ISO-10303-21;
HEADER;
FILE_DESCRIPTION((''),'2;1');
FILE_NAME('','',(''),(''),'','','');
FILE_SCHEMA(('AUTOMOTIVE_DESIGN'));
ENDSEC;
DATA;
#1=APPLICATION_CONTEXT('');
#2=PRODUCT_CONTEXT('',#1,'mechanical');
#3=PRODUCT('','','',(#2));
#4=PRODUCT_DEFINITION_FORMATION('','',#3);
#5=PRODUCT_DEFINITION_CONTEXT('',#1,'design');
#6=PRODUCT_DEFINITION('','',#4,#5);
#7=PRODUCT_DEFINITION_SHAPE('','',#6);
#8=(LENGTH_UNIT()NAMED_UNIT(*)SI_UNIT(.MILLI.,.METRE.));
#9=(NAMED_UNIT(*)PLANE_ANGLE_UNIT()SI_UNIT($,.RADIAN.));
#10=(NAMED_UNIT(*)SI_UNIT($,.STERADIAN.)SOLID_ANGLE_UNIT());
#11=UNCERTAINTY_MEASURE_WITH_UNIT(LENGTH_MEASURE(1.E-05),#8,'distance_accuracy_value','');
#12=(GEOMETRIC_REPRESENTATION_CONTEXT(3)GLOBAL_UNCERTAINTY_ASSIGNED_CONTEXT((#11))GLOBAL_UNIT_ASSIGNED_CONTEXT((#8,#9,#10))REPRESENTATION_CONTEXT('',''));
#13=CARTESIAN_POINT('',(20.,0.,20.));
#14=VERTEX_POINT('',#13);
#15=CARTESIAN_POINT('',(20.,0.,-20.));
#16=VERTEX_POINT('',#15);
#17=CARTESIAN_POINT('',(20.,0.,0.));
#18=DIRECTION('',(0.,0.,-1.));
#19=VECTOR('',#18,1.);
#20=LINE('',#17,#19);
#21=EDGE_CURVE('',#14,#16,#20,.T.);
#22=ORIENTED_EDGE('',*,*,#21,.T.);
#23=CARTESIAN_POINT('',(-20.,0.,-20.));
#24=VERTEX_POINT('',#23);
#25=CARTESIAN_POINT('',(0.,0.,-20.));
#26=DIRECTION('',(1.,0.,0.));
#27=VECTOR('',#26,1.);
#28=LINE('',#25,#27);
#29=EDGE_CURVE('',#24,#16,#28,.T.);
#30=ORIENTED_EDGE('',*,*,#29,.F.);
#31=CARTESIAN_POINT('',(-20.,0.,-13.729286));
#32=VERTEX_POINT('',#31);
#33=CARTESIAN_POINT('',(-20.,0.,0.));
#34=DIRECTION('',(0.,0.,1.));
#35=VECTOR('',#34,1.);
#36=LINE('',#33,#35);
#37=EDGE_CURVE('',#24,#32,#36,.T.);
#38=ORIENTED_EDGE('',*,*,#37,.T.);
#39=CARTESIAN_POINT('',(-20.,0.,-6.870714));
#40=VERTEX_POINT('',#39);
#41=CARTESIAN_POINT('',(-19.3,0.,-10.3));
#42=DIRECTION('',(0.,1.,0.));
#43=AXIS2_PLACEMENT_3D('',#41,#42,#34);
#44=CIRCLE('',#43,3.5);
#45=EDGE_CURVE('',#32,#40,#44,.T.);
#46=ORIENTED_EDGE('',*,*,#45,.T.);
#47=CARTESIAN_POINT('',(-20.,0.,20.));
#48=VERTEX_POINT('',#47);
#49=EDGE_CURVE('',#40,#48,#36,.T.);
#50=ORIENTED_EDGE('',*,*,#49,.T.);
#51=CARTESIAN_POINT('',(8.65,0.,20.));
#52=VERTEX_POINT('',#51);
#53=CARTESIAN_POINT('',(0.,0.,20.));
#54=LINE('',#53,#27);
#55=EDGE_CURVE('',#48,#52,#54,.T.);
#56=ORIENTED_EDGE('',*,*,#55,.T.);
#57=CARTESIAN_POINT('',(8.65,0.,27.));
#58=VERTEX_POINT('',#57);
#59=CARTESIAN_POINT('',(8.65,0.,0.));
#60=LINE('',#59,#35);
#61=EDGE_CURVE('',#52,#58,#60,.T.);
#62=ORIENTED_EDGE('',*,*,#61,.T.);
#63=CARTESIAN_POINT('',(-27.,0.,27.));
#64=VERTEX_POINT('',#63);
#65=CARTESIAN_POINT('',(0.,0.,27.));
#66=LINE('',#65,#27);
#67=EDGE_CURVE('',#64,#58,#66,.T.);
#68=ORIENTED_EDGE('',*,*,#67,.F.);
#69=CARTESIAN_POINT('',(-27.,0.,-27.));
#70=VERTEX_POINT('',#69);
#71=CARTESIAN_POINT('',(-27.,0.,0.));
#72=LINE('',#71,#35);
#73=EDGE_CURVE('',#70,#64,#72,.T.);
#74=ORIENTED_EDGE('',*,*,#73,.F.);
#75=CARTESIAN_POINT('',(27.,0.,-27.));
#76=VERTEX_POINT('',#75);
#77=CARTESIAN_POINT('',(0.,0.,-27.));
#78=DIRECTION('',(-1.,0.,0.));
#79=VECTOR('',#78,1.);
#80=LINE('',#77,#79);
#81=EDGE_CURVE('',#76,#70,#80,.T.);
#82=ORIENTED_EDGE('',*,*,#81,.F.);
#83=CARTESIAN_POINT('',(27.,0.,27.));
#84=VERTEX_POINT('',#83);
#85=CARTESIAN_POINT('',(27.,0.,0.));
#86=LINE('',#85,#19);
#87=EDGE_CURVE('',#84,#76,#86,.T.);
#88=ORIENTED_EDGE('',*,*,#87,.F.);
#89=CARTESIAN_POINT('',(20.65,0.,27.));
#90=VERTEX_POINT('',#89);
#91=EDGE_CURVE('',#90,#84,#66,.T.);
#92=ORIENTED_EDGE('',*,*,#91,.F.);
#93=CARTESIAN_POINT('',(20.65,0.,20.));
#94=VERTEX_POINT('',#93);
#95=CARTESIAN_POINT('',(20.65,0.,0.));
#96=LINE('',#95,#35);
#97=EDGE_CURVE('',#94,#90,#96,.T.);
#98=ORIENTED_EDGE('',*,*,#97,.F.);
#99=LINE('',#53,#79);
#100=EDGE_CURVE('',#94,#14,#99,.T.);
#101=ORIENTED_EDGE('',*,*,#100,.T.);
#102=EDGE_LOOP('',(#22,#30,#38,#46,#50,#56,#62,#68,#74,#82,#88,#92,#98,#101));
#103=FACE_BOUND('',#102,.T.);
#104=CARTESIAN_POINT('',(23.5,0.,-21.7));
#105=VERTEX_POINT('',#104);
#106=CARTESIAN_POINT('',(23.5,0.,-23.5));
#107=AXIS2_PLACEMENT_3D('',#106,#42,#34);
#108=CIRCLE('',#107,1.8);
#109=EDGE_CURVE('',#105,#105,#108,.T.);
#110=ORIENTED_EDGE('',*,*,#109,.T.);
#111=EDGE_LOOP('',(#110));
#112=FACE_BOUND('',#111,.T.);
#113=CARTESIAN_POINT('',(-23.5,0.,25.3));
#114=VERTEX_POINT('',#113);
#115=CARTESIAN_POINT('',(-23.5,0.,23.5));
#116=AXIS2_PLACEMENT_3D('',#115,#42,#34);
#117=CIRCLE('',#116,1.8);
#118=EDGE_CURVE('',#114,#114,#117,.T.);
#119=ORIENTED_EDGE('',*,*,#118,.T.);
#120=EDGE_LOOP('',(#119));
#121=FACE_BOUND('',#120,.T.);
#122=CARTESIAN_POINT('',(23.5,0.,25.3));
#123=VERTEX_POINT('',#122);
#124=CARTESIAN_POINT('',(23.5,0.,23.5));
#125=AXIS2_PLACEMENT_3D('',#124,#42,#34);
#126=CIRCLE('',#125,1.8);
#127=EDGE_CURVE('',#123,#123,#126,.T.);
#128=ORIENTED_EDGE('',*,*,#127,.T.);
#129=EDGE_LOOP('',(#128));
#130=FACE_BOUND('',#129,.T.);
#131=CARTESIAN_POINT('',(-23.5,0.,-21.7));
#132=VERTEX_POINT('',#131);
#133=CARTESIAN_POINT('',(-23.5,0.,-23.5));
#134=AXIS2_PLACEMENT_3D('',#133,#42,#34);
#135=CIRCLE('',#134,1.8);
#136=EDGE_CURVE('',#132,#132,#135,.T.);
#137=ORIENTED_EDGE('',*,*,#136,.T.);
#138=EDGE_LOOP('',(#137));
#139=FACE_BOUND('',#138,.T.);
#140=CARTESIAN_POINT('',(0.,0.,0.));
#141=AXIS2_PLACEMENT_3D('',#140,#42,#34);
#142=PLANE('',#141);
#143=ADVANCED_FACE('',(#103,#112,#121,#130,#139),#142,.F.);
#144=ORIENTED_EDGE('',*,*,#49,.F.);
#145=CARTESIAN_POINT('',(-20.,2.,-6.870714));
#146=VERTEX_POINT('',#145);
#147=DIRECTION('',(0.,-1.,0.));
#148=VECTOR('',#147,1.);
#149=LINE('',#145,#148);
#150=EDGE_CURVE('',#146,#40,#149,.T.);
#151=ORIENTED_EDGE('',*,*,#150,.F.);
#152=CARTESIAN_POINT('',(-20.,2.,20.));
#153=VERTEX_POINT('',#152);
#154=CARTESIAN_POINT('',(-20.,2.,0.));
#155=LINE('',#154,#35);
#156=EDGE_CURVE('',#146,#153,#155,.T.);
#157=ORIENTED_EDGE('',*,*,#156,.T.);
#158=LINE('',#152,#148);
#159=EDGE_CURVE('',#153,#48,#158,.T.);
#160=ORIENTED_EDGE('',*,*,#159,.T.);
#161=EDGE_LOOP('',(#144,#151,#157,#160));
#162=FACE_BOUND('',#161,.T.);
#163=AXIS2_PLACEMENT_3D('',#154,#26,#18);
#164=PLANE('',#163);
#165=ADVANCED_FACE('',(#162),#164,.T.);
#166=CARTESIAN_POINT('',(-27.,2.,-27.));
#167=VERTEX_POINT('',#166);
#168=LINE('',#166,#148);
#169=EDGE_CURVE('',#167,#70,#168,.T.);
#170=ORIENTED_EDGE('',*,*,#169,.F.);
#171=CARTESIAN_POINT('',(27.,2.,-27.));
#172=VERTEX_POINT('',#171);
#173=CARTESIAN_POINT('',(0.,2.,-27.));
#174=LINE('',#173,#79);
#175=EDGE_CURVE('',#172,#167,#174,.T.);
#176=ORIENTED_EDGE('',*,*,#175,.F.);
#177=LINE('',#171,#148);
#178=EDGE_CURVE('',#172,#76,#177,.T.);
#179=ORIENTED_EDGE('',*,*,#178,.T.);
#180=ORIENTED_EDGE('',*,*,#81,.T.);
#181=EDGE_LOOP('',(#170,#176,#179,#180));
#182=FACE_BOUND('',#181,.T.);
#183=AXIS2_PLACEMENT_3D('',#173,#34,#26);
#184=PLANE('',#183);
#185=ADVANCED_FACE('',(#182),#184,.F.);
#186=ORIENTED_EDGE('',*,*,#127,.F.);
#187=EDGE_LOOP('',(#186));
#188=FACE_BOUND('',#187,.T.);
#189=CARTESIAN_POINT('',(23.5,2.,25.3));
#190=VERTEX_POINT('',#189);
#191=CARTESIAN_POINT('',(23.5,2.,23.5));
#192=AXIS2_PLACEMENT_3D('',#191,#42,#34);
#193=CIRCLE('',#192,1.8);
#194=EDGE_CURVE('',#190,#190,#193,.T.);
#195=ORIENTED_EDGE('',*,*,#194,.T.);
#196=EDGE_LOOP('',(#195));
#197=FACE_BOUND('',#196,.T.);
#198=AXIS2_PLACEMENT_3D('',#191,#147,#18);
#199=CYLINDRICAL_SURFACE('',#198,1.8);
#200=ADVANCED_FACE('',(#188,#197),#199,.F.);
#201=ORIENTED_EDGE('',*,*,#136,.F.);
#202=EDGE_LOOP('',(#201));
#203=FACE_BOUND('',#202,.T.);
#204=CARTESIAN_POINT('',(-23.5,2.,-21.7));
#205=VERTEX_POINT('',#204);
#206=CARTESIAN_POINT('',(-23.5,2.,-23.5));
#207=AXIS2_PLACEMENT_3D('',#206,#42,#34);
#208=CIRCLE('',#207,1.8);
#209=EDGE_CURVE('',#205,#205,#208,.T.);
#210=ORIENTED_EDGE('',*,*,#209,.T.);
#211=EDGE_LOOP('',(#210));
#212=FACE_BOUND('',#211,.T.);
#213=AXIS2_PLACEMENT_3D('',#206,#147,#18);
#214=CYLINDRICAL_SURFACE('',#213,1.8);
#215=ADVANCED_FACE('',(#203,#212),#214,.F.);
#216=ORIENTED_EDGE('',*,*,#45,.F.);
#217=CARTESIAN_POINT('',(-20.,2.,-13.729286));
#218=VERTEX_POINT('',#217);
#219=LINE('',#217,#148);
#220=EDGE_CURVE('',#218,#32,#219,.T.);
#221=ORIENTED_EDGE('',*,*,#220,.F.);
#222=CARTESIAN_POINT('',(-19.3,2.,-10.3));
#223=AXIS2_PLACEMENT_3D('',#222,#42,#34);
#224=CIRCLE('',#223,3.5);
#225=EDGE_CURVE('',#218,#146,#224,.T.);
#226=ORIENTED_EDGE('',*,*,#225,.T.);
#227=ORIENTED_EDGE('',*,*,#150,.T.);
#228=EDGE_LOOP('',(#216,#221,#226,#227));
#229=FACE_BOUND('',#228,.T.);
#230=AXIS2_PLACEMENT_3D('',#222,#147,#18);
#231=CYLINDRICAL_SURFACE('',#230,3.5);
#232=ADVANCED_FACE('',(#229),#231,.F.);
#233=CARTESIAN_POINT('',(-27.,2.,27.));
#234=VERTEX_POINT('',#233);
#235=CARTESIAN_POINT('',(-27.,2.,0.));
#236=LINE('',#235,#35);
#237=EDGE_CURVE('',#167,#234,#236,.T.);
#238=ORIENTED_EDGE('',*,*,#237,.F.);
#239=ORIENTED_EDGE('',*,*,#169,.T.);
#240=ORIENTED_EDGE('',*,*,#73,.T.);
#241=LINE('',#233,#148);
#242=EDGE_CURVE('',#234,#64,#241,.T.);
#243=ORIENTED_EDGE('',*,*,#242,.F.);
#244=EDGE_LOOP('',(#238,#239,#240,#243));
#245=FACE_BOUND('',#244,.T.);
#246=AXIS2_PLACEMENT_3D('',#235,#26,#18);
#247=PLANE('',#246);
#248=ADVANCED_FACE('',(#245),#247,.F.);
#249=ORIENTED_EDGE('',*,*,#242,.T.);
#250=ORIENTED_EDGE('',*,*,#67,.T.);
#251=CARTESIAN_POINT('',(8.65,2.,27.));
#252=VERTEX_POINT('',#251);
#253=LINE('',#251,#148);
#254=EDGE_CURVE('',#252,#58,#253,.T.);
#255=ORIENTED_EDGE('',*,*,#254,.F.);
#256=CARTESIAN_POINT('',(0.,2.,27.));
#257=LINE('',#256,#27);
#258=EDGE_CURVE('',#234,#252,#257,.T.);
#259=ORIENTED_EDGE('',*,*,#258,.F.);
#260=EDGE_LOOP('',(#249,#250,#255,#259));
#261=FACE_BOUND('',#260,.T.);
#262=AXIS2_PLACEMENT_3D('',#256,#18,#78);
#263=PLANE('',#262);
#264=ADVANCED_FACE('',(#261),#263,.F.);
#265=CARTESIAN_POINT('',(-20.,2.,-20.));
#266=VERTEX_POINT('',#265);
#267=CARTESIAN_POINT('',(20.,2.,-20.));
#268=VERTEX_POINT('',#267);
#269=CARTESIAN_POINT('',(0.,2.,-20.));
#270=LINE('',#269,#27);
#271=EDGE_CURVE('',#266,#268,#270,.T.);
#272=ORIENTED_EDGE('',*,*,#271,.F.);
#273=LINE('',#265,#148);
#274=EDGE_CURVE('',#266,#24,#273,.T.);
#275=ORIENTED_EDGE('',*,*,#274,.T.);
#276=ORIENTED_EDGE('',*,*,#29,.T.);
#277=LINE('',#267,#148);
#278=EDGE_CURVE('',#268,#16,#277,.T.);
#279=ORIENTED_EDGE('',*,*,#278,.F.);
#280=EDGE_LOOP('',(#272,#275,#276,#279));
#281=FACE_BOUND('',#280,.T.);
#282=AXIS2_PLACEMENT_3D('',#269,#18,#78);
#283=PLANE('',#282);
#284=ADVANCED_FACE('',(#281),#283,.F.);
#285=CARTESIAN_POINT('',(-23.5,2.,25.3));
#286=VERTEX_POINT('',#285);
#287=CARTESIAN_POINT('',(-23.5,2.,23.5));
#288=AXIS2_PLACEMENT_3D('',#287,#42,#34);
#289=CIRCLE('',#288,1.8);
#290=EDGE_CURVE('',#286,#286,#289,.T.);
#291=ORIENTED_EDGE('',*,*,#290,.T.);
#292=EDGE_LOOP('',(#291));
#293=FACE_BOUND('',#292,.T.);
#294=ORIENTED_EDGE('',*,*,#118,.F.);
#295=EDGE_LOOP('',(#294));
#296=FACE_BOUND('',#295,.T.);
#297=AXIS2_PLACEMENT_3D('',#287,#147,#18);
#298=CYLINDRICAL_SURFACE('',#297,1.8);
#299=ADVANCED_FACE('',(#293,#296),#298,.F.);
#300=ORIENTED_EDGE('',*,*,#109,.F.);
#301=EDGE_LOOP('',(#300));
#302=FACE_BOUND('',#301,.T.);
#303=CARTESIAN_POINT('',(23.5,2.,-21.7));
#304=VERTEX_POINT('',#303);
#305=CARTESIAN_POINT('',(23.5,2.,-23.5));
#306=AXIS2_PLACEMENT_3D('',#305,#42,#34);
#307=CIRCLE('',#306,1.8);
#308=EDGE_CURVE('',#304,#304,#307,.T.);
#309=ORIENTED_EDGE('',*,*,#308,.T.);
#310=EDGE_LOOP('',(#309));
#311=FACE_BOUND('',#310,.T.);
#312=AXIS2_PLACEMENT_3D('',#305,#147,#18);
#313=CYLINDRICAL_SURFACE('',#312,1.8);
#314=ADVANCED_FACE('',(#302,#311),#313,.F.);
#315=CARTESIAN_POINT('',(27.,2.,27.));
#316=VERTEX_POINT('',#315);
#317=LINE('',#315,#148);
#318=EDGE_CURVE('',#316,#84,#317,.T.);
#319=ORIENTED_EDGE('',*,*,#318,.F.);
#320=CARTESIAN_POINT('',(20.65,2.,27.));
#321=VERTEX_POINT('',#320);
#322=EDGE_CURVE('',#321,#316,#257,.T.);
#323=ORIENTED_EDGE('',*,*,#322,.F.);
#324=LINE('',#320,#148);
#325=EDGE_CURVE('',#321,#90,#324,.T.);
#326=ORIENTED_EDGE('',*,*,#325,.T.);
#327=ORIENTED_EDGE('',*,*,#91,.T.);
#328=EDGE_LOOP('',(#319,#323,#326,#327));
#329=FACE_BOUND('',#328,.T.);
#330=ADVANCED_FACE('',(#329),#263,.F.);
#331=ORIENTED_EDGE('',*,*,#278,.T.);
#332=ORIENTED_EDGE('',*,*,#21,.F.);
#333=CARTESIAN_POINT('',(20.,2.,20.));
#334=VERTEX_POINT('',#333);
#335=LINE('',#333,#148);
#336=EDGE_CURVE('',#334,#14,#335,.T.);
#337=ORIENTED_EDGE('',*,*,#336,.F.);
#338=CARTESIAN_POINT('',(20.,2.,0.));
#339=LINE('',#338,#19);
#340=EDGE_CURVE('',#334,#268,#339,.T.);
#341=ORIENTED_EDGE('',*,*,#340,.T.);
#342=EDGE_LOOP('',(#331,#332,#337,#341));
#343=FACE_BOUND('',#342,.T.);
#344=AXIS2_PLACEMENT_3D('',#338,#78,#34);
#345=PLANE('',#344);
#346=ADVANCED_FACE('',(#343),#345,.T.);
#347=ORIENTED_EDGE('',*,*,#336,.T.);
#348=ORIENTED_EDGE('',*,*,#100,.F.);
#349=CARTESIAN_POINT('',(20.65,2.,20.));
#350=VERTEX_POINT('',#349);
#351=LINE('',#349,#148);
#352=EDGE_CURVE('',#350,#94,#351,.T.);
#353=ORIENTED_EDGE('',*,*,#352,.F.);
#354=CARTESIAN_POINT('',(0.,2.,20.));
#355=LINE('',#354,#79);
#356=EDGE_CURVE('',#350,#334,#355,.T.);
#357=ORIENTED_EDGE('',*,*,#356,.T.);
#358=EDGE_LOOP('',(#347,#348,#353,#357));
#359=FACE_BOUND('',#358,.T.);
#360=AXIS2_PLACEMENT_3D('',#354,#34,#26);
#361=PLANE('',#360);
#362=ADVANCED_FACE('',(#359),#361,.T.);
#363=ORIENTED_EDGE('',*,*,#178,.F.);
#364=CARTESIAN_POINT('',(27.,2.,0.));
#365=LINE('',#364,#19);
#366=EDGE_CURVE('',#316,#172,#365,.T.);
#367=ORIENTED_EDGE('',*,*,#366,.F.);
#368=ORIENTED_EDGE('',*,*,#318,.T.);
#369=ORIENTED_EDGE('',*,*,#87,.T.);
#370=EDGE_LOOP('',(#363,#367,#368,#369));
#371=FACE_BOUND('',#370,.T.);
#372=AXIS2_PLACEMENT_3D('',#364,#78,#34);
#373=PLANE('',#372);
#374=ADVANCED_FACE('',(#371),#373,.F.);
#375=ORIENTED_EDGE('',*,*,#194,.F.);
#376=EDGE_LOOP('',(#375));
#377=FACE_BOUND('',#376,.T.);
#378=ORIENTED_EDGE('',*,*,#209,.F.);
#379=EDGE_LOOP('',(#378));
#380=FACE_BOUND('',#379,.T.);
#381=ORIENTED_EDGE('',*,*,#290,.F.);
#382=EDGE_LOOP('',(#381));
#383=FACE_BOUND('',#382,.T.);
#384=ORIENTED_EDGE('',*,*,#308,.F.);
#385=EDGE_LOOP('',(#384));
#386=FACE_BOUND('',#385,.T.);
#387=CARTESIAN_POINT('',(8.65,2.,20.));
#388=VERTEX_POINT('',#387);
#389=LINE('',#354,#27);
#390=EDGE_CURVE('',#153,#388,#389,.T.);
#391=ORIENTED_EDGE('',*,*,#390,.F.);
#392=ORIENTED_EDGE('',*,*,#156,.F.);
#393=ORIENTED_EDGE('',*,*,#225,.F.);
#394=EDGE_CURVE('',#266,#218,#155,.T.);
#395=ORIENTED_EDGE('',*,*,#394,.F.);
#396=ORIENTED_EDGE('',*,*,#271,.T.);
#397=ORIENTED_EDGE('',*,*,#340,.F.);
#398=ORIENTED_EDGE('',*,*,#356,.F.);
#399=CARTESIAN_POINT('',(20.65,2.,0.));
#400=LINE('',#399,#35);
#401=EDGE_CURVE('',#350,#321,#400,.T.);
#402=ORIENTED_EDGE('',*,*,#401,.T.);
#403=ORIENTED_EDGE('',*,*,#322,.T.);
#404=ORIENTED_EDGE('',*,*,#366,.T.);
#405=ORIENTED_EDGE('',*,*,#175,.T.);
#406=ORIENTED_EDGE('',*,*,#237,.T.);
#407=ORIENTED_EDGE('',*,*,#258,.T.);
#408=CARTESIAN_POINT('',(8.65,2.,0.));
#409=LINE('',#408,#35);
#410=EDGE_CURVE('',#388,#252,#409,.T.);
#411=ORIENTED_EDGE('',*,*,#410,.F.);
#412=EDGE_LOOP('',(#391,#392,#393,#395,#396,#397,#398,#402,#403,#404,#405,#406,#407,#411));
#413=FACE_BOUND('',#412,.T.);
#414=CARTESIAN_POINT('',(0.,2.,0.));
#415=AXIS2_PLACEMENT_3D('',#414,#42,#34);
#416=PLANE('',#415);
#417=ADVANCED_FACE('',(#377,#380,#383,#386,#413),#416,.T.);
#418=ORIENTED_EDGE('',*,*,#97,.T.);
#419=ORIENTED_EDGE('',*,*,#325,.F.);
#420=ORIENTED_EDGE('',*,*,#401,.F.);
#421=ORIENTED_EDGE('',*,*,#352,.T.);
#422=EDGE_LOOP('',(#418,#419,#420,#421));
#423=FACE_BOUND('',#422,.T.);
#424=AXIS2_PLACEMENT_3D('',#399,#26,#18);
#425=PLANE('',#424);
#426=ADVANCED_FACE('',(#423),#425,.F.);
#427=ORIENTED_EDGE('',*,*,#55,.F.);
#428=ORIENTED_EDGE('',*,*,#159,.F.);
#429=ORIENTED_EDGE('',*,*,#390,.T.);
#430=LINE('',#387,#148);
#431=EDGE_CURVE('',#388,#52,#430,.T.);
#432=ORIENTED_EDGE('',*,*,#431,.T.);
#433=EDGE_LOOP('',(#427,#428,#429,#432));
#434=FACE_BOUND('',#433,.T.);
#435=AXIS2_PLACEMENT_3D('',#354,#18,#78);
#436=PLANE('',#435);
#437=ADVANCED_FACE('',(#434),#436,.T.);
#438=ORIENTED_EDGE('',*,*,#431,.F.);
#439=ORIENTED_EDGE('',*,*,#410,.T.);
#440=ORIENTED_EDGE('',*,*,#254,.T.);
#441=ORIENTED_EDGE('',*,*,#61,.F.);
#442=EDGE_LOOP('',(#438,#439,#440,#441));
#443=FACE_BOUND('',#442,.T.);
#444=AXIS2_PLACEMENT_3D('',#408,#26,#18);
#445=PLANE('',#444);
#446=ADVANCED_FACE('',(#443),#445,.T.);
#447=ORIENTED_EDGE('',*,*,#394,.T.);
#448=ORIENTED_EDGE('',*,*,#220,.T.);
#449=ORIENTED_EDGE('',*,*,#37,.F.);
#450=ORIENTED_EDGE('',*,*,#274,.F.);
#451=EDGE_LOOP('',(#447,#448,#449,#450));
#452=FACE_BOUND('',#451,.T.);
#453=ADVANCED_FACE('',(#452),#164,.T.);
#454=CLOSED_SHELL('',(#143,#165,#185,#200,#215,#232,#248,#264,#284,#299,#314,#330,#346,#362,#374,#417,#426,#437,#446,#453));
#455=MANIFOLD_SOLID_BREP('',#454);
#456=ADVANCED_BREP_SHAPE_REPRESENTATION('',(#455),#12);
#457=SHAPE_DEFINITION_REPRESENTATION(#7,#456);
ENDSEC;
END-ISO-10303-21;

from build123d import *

# Parameters (mm, degrees)
SKETCH_3_R      = 1.8
EXTRUDE_2_DEPTH = 2


with BuildPart() as part:
    # 草图3 → 凸台-拉伸2 (new body)
    with BuildSketch(Plane(origin=(0, 0, 0), x_dir=(1, 0, 0), z_dir=(0, 1, 0))):
        with BuildLine():
            Line((20, 20), (20, -20))
            Line((20, -20), (20.65, -20))
            Line((20.65, -20), (20.65, -27))
            Line((20.65, -27), (27, -27))
            Line((27, -27), (27, 27))
            Line((27, 27), (-27, 27))
            Line((-27, 27), (-27, -27))
            Line((-27, -27), (8.65, -27))
            Line((8.65, -27), (8.65, -20))
            Line((8.65, -20), (-20, -20))
            Line((-20, -20), (-20, 6.87071436))
            ThreePointArc((-20, 6.87071436), (-22.8, 10.3), (-20, 13.72928564))
            Line((-20, 13.72928564), (-20, 20))
            Line((-20, 20), (-16.7, 20))
            Line((-16.7, 20), (-10.4, 20))
            Line((-10.4, 20), (-4.1, 20))
            Line((-4.1, 20), (20, 20))
        make_face()
        with Locations((-23.5, -23.5)):
            Circle(SKETCH_3_R, mode=Mode.SUBTRACT)
        with Locations((23.5, -23.5)):
            Circle(SKETCH_3_R, mode=Mode.SUBTRACT)
        with Locations((-23.5, 23.5)):
            Circle(SKETCH_3_R, mode=Mode.SUBTRACT)
        with Locations((23.5, 23.5)):
            Circle(SKETCH_3_R, mode=Mode.SUBTRACT)
    extrude(amount=EXTRUDE_2_DEPTH)


solid = part.part
